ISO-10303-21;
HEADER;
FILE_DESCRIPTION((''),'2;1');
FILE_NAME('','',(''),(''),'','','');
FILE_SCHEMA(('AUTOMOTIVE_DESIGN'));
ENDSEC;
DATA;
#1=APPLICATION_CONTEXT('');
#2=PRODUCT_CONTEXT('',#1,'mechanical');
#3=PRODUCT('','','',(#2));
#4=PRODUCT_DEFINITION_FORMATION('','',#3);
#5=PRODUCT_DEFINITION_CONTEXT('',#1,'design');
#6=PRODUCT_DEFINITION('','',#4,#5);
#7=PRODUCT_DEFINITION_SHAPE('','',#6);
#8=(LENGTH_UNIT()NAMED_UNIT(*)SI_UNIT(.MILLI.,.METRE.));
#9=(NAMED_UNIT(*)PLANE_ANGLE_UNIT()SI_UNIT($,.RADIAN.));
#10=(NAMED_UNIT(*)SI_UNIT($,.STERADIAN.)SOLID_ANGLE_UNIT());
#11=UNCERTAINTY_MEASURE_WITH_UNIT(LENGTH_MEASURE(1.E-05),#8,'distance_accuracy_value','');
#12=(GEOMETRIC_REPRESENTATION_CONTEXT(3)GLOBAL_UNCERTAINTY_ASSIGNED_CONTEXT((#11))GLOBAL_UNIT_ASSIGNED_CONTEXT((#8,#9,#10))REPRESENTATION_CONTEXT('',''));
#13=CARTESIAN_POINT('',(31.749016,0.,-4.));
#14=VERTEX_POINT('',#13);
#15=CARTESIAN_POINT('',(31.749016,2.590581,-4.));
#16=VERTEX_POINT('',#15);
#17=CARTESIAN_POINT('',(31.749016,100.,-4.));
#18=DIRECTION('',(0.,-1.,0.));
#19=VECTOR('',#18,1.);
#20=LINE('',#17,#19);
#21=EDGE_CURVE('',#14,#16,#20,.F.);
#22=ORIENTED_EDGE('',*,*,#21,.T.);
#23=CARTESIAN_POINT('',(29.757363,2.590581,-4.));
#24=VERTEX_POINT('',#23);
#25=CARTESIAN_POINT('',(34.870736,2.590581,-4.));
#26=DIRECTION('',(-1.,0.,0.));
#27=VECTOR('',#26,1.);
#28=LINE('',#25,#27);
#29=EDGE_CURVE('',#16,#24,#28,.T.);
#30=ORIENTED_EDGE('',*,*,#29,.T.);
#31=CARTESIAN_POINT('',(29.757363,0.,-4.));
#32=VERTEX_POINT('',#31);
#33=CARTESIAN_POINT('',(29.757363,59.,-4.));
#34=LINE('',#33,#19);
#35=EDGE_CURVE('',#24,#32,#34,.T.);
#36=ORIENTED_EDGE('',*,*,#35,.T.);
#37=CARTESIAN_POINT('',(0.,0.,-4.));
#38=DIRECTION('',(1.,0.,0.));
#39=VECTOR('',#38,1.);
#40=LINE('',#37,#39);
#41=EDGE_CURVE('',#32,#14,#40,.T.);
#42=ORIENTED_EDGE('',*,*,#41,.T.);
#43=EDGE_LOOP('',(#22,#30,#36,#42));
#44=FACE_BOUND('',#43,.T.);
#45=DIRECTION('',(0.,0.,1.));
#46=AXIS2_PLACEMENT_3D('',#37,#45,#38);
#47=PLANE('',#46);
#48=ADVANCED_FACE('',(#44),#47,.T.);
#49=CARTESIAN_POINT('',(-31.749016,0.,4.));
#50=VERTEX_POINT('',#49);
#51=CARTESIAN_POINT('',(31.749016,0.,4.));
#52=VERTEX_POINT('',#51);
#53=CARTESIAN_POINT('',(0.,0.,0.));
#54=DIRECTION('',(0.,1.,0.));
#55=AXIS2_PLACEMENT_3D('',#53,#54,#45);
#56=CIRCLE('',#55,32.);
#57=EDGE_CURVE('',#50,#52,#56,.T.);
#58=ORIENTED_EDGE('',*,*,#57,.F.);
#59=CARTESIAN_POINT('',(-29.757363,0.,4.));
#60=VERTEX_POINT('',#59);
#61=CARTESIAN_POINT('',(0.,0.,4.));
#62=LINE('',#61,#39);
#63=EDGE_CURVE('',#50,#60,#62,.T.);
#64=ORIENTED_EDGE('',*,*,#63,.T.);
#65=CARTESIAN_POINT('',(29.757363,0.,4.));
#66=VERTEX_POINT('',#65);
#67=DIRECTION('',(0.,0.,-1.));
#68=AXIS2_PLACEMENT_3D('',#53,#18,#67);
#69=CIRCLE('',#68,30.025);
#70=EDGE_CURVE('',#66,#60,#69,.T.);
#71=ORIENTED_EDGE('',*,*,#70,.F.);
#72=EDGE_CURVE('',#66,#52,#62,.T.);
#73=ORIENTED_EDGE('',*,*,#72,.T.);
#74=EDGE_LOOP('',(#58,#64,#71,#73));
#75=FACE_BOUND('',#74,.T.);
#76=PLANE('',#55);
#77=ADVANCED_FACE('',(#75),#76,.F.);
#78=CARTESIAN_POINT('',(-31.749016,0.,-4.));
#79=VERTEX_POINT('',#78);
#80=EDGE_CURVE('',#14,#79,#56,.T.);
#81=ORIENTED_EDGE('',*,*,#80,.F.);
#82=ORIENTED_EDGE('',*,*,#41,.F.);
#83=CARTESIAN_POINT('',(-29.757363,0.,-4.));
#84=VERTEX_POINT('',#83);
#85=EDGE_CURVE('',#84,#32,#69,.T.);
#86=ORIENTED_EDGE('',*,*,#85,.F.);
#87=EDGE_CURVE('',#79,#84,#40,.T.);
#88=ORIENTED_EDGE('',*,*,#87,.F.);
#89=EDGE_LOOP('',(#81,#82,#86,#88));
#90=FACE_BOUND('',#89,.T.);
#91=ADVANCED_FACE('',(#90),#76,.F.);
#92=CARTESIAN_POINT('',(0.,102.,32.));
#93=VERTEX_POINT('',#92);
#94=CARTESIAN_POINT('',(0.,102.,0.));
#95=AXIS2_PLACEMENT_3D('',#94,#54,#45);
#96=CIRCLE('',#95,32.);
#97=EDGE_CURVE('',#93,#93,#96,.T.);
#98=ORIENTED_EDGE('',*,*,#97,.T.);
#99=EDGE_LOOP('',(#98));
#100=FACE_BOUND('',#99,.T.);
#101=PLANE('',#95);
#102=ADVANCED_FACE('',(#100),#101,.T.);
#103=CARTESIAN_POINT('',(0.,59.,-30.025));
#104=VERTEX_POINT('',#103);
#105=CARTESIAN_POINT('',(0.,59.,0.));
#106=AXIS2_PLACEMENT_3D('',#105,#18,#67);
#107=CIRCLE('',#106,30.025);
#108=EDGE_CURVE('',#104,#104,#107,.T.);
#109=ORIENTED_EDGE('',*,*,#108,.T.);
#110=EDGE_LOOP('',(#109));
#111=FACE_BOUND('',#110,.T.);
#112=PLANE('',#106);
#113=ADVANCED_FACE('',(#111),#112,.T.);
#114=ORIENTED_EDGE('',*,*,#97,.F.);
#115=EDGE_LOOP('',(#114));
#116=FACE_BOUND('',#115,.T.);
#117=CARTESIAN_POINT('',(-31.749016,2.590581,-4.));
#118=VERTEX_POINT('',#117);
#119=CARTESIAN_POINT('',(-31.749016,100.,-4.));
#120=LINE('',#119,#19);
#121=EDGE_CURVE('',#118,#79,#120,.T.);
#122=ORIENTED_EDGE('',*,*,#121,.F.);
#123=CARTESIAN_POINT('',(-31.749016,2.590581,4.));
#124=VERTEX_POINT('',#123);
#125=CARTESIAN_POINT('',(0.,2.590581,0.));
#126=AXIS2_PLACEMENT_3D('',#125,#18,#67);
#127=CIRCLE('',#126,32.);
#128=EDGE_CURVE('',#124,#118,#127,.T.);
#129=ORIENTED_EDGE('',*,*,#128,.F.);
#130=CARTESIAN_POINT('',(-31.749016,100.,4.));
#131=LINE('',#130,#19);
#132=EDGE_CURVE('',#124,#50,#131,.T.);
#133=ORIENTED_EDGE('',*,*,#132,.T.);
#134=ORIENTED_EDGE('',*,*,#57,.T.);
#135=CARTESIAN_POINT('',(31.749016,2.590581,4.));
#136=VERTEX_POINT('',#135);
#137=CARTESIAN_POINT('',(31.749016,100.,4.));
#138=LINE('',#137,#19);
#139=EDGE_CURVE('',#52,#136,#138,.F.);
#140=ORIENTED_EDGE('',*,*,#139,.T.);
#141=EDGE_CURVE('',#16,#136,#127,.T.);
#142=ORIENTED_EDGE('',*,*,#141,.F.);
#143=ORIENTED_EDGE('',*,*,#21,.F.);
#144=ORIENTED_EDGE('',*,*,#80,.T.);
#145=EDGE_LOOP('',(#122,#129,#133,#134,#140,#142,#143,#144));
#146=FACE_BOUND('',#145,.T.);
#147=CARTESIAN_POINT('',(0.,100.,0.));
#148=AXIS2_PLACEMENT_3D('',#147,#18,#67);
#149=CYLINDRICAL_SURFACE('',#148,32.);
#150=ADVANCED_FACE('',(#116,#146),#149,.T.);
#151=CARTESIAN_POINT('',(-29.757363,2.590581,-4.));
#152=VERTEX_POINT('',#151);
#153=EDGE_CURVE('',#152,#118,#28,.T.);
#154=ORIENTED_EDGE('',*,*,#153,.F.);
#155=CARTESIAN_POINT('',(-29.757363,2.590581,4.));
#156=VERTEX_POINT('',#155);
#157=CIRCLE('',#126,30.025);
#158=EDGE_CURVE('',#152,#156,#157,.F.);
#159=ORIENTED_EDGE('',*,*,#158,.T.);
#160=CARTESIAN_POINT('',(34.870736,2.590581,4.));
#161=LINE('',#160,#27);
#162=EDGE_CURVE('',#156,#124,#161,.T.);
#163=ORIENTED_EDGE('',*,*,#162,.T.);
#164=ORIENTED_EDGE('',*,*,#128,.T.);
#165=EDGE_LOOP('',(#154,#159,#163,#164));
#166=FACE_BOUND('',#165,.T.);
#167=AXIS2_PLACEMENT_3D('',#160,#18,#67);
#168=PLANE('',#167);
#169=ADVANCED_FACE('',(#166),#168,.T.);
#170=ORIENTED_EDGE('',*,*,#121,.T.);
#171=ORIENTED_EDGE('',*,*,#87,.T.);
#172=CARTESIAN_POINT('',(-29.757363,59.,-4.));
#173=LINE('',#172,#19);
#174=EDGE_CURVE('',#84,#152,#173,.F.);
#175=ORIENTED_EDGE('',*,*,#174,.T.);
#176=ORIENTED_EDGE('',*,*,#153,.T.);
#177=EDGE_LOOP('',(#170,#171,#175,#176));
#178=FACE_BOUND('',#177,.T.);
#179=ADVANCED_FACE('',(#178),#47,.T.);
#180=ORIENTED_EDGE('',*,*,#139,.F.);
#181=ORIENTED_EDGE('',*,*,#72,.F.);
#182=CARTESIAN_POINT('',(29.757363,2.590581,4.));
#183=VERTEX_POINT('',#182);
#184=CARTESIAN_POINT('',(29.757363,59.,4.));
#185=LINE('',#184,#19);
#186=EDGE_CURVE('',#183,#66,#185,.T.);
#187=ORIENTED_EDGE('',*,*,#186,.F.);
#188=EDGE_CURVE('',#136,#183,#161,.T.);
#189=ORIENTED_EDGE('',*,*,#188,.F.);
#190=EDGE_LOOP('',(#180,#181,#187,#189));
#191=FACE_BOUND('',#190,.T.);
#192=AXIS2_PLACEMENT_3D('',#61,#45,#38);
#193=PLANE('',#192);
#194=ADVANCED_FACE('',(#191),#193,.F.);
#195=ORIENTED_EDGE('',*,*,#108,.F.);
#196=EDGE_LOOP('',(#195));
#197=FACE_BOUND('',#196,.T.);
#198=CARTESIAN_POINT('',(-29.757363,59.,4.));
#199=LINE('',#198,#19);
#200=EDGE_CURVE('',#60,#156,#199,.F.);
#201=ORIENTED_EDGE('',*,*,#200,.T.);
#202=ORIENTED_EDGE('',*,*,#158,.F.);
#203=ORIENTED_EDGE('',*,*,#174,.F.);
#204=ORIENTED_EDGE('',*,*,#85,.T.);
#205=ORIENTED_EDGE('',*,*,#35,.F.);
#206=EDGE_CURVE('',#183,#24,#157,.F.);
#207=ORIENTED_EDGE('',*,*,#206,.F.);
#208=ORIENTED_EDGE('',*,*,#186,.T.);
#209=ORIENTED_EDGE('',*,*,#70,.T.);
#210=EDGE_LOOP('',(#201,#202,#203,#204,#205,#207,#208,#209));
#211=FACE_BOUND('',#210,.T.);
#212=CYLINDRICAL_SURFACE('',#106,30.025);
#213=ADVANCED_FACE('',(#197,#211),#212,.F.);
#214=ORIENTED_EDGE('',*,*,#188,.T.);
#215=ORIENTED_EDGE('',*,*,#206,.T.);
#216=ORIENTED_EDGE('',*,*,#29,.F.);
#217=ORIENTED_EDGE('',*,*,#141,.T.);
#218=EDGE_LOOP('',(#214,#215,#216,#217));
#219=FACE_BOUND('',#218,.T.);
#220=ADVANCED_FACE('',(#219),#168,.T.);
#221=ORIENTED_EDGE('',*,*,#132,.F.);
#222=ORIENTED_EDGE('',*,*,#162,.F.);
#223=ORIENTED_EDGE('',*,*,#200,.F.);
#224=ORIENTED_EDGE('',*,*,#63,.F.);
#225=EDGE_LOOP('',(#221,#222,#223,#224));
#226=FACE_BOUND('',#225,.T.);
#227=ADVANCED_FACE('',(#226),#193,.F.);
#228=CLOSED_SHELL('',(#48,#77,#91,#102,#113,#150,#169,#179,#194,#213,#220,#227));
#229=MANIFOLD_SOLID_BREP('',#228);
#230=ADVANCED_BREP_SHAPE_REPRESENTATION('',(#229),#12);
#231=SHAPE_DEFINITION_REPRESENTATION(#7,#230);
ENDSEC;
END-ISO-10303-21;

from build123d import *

# Parameters (mm, degrees)
SKETCH1_R               = 32
BOSS_EXTRUDE1_DEPTH     = 100
SKETCH2_R               = 30.025
CUT_EXTRUDE1_DEPTH      = 59
SKETCH3_R               = 32
BOSS_EXTRUDE2_DEPTH     = 2
CUT_EXTRUDE2_DEPTH      = 4
CUT_EXTRUDE2_DEPTH_BACK = 4
SKETCH4_W               = 70.13553728
SKETCH4_H               = 5.843920962


with BuildPart() as part:
    # Sketch1 → Boss-Extrude1 (new body)
    with BuildSketch(Plane(origin=(0, 0, 0), x_dir=(1, 0, 0), z_dir=(0, 1, 0))):
        Circle(SKETCH1_R)
    extrude(amount=BOSS_EXTRUDE1_DEPTH)

    # Sketch2 → Cut-Extrude1 (cut)
    with BuildSketch(Plane.XZ):
        Circle(SKETCH2_R)
    extrude(amount=-CUT_EXTRUDE1_DEPTH, mode=Mode.SUBTRACT)

    # Sketch3 → Boss-Extrude2 (add)
    with BuildSketch(Plane(origin=(0, 100, 0), x_dir=(1, 0, 0), z_dir=(0, 1, 0))):
        Circle(SKETCH3_R)
    extrude(amount=BOSS_EXTRUDE2_DEPTH)

    # Sketch4 → Cut-Extrude2 (cut, two sides: drawn at the far end of the back side and taken through both)
    with BuildSketch(Plane.XY.offset(-CUT_EXTRUDE2_DEPTH_BACK)):
        with Locations((-0.197032679, -0.331379703)):
            Rectangle(SKETCH4_W, SKETCH4_H)
    extrude(amount=CUT_EXTRUDE2_DEPTH + CUT_EXTRUDE2_DEPTH_BACK, mode=Mode.SUBTRACT)


solid = part.part
